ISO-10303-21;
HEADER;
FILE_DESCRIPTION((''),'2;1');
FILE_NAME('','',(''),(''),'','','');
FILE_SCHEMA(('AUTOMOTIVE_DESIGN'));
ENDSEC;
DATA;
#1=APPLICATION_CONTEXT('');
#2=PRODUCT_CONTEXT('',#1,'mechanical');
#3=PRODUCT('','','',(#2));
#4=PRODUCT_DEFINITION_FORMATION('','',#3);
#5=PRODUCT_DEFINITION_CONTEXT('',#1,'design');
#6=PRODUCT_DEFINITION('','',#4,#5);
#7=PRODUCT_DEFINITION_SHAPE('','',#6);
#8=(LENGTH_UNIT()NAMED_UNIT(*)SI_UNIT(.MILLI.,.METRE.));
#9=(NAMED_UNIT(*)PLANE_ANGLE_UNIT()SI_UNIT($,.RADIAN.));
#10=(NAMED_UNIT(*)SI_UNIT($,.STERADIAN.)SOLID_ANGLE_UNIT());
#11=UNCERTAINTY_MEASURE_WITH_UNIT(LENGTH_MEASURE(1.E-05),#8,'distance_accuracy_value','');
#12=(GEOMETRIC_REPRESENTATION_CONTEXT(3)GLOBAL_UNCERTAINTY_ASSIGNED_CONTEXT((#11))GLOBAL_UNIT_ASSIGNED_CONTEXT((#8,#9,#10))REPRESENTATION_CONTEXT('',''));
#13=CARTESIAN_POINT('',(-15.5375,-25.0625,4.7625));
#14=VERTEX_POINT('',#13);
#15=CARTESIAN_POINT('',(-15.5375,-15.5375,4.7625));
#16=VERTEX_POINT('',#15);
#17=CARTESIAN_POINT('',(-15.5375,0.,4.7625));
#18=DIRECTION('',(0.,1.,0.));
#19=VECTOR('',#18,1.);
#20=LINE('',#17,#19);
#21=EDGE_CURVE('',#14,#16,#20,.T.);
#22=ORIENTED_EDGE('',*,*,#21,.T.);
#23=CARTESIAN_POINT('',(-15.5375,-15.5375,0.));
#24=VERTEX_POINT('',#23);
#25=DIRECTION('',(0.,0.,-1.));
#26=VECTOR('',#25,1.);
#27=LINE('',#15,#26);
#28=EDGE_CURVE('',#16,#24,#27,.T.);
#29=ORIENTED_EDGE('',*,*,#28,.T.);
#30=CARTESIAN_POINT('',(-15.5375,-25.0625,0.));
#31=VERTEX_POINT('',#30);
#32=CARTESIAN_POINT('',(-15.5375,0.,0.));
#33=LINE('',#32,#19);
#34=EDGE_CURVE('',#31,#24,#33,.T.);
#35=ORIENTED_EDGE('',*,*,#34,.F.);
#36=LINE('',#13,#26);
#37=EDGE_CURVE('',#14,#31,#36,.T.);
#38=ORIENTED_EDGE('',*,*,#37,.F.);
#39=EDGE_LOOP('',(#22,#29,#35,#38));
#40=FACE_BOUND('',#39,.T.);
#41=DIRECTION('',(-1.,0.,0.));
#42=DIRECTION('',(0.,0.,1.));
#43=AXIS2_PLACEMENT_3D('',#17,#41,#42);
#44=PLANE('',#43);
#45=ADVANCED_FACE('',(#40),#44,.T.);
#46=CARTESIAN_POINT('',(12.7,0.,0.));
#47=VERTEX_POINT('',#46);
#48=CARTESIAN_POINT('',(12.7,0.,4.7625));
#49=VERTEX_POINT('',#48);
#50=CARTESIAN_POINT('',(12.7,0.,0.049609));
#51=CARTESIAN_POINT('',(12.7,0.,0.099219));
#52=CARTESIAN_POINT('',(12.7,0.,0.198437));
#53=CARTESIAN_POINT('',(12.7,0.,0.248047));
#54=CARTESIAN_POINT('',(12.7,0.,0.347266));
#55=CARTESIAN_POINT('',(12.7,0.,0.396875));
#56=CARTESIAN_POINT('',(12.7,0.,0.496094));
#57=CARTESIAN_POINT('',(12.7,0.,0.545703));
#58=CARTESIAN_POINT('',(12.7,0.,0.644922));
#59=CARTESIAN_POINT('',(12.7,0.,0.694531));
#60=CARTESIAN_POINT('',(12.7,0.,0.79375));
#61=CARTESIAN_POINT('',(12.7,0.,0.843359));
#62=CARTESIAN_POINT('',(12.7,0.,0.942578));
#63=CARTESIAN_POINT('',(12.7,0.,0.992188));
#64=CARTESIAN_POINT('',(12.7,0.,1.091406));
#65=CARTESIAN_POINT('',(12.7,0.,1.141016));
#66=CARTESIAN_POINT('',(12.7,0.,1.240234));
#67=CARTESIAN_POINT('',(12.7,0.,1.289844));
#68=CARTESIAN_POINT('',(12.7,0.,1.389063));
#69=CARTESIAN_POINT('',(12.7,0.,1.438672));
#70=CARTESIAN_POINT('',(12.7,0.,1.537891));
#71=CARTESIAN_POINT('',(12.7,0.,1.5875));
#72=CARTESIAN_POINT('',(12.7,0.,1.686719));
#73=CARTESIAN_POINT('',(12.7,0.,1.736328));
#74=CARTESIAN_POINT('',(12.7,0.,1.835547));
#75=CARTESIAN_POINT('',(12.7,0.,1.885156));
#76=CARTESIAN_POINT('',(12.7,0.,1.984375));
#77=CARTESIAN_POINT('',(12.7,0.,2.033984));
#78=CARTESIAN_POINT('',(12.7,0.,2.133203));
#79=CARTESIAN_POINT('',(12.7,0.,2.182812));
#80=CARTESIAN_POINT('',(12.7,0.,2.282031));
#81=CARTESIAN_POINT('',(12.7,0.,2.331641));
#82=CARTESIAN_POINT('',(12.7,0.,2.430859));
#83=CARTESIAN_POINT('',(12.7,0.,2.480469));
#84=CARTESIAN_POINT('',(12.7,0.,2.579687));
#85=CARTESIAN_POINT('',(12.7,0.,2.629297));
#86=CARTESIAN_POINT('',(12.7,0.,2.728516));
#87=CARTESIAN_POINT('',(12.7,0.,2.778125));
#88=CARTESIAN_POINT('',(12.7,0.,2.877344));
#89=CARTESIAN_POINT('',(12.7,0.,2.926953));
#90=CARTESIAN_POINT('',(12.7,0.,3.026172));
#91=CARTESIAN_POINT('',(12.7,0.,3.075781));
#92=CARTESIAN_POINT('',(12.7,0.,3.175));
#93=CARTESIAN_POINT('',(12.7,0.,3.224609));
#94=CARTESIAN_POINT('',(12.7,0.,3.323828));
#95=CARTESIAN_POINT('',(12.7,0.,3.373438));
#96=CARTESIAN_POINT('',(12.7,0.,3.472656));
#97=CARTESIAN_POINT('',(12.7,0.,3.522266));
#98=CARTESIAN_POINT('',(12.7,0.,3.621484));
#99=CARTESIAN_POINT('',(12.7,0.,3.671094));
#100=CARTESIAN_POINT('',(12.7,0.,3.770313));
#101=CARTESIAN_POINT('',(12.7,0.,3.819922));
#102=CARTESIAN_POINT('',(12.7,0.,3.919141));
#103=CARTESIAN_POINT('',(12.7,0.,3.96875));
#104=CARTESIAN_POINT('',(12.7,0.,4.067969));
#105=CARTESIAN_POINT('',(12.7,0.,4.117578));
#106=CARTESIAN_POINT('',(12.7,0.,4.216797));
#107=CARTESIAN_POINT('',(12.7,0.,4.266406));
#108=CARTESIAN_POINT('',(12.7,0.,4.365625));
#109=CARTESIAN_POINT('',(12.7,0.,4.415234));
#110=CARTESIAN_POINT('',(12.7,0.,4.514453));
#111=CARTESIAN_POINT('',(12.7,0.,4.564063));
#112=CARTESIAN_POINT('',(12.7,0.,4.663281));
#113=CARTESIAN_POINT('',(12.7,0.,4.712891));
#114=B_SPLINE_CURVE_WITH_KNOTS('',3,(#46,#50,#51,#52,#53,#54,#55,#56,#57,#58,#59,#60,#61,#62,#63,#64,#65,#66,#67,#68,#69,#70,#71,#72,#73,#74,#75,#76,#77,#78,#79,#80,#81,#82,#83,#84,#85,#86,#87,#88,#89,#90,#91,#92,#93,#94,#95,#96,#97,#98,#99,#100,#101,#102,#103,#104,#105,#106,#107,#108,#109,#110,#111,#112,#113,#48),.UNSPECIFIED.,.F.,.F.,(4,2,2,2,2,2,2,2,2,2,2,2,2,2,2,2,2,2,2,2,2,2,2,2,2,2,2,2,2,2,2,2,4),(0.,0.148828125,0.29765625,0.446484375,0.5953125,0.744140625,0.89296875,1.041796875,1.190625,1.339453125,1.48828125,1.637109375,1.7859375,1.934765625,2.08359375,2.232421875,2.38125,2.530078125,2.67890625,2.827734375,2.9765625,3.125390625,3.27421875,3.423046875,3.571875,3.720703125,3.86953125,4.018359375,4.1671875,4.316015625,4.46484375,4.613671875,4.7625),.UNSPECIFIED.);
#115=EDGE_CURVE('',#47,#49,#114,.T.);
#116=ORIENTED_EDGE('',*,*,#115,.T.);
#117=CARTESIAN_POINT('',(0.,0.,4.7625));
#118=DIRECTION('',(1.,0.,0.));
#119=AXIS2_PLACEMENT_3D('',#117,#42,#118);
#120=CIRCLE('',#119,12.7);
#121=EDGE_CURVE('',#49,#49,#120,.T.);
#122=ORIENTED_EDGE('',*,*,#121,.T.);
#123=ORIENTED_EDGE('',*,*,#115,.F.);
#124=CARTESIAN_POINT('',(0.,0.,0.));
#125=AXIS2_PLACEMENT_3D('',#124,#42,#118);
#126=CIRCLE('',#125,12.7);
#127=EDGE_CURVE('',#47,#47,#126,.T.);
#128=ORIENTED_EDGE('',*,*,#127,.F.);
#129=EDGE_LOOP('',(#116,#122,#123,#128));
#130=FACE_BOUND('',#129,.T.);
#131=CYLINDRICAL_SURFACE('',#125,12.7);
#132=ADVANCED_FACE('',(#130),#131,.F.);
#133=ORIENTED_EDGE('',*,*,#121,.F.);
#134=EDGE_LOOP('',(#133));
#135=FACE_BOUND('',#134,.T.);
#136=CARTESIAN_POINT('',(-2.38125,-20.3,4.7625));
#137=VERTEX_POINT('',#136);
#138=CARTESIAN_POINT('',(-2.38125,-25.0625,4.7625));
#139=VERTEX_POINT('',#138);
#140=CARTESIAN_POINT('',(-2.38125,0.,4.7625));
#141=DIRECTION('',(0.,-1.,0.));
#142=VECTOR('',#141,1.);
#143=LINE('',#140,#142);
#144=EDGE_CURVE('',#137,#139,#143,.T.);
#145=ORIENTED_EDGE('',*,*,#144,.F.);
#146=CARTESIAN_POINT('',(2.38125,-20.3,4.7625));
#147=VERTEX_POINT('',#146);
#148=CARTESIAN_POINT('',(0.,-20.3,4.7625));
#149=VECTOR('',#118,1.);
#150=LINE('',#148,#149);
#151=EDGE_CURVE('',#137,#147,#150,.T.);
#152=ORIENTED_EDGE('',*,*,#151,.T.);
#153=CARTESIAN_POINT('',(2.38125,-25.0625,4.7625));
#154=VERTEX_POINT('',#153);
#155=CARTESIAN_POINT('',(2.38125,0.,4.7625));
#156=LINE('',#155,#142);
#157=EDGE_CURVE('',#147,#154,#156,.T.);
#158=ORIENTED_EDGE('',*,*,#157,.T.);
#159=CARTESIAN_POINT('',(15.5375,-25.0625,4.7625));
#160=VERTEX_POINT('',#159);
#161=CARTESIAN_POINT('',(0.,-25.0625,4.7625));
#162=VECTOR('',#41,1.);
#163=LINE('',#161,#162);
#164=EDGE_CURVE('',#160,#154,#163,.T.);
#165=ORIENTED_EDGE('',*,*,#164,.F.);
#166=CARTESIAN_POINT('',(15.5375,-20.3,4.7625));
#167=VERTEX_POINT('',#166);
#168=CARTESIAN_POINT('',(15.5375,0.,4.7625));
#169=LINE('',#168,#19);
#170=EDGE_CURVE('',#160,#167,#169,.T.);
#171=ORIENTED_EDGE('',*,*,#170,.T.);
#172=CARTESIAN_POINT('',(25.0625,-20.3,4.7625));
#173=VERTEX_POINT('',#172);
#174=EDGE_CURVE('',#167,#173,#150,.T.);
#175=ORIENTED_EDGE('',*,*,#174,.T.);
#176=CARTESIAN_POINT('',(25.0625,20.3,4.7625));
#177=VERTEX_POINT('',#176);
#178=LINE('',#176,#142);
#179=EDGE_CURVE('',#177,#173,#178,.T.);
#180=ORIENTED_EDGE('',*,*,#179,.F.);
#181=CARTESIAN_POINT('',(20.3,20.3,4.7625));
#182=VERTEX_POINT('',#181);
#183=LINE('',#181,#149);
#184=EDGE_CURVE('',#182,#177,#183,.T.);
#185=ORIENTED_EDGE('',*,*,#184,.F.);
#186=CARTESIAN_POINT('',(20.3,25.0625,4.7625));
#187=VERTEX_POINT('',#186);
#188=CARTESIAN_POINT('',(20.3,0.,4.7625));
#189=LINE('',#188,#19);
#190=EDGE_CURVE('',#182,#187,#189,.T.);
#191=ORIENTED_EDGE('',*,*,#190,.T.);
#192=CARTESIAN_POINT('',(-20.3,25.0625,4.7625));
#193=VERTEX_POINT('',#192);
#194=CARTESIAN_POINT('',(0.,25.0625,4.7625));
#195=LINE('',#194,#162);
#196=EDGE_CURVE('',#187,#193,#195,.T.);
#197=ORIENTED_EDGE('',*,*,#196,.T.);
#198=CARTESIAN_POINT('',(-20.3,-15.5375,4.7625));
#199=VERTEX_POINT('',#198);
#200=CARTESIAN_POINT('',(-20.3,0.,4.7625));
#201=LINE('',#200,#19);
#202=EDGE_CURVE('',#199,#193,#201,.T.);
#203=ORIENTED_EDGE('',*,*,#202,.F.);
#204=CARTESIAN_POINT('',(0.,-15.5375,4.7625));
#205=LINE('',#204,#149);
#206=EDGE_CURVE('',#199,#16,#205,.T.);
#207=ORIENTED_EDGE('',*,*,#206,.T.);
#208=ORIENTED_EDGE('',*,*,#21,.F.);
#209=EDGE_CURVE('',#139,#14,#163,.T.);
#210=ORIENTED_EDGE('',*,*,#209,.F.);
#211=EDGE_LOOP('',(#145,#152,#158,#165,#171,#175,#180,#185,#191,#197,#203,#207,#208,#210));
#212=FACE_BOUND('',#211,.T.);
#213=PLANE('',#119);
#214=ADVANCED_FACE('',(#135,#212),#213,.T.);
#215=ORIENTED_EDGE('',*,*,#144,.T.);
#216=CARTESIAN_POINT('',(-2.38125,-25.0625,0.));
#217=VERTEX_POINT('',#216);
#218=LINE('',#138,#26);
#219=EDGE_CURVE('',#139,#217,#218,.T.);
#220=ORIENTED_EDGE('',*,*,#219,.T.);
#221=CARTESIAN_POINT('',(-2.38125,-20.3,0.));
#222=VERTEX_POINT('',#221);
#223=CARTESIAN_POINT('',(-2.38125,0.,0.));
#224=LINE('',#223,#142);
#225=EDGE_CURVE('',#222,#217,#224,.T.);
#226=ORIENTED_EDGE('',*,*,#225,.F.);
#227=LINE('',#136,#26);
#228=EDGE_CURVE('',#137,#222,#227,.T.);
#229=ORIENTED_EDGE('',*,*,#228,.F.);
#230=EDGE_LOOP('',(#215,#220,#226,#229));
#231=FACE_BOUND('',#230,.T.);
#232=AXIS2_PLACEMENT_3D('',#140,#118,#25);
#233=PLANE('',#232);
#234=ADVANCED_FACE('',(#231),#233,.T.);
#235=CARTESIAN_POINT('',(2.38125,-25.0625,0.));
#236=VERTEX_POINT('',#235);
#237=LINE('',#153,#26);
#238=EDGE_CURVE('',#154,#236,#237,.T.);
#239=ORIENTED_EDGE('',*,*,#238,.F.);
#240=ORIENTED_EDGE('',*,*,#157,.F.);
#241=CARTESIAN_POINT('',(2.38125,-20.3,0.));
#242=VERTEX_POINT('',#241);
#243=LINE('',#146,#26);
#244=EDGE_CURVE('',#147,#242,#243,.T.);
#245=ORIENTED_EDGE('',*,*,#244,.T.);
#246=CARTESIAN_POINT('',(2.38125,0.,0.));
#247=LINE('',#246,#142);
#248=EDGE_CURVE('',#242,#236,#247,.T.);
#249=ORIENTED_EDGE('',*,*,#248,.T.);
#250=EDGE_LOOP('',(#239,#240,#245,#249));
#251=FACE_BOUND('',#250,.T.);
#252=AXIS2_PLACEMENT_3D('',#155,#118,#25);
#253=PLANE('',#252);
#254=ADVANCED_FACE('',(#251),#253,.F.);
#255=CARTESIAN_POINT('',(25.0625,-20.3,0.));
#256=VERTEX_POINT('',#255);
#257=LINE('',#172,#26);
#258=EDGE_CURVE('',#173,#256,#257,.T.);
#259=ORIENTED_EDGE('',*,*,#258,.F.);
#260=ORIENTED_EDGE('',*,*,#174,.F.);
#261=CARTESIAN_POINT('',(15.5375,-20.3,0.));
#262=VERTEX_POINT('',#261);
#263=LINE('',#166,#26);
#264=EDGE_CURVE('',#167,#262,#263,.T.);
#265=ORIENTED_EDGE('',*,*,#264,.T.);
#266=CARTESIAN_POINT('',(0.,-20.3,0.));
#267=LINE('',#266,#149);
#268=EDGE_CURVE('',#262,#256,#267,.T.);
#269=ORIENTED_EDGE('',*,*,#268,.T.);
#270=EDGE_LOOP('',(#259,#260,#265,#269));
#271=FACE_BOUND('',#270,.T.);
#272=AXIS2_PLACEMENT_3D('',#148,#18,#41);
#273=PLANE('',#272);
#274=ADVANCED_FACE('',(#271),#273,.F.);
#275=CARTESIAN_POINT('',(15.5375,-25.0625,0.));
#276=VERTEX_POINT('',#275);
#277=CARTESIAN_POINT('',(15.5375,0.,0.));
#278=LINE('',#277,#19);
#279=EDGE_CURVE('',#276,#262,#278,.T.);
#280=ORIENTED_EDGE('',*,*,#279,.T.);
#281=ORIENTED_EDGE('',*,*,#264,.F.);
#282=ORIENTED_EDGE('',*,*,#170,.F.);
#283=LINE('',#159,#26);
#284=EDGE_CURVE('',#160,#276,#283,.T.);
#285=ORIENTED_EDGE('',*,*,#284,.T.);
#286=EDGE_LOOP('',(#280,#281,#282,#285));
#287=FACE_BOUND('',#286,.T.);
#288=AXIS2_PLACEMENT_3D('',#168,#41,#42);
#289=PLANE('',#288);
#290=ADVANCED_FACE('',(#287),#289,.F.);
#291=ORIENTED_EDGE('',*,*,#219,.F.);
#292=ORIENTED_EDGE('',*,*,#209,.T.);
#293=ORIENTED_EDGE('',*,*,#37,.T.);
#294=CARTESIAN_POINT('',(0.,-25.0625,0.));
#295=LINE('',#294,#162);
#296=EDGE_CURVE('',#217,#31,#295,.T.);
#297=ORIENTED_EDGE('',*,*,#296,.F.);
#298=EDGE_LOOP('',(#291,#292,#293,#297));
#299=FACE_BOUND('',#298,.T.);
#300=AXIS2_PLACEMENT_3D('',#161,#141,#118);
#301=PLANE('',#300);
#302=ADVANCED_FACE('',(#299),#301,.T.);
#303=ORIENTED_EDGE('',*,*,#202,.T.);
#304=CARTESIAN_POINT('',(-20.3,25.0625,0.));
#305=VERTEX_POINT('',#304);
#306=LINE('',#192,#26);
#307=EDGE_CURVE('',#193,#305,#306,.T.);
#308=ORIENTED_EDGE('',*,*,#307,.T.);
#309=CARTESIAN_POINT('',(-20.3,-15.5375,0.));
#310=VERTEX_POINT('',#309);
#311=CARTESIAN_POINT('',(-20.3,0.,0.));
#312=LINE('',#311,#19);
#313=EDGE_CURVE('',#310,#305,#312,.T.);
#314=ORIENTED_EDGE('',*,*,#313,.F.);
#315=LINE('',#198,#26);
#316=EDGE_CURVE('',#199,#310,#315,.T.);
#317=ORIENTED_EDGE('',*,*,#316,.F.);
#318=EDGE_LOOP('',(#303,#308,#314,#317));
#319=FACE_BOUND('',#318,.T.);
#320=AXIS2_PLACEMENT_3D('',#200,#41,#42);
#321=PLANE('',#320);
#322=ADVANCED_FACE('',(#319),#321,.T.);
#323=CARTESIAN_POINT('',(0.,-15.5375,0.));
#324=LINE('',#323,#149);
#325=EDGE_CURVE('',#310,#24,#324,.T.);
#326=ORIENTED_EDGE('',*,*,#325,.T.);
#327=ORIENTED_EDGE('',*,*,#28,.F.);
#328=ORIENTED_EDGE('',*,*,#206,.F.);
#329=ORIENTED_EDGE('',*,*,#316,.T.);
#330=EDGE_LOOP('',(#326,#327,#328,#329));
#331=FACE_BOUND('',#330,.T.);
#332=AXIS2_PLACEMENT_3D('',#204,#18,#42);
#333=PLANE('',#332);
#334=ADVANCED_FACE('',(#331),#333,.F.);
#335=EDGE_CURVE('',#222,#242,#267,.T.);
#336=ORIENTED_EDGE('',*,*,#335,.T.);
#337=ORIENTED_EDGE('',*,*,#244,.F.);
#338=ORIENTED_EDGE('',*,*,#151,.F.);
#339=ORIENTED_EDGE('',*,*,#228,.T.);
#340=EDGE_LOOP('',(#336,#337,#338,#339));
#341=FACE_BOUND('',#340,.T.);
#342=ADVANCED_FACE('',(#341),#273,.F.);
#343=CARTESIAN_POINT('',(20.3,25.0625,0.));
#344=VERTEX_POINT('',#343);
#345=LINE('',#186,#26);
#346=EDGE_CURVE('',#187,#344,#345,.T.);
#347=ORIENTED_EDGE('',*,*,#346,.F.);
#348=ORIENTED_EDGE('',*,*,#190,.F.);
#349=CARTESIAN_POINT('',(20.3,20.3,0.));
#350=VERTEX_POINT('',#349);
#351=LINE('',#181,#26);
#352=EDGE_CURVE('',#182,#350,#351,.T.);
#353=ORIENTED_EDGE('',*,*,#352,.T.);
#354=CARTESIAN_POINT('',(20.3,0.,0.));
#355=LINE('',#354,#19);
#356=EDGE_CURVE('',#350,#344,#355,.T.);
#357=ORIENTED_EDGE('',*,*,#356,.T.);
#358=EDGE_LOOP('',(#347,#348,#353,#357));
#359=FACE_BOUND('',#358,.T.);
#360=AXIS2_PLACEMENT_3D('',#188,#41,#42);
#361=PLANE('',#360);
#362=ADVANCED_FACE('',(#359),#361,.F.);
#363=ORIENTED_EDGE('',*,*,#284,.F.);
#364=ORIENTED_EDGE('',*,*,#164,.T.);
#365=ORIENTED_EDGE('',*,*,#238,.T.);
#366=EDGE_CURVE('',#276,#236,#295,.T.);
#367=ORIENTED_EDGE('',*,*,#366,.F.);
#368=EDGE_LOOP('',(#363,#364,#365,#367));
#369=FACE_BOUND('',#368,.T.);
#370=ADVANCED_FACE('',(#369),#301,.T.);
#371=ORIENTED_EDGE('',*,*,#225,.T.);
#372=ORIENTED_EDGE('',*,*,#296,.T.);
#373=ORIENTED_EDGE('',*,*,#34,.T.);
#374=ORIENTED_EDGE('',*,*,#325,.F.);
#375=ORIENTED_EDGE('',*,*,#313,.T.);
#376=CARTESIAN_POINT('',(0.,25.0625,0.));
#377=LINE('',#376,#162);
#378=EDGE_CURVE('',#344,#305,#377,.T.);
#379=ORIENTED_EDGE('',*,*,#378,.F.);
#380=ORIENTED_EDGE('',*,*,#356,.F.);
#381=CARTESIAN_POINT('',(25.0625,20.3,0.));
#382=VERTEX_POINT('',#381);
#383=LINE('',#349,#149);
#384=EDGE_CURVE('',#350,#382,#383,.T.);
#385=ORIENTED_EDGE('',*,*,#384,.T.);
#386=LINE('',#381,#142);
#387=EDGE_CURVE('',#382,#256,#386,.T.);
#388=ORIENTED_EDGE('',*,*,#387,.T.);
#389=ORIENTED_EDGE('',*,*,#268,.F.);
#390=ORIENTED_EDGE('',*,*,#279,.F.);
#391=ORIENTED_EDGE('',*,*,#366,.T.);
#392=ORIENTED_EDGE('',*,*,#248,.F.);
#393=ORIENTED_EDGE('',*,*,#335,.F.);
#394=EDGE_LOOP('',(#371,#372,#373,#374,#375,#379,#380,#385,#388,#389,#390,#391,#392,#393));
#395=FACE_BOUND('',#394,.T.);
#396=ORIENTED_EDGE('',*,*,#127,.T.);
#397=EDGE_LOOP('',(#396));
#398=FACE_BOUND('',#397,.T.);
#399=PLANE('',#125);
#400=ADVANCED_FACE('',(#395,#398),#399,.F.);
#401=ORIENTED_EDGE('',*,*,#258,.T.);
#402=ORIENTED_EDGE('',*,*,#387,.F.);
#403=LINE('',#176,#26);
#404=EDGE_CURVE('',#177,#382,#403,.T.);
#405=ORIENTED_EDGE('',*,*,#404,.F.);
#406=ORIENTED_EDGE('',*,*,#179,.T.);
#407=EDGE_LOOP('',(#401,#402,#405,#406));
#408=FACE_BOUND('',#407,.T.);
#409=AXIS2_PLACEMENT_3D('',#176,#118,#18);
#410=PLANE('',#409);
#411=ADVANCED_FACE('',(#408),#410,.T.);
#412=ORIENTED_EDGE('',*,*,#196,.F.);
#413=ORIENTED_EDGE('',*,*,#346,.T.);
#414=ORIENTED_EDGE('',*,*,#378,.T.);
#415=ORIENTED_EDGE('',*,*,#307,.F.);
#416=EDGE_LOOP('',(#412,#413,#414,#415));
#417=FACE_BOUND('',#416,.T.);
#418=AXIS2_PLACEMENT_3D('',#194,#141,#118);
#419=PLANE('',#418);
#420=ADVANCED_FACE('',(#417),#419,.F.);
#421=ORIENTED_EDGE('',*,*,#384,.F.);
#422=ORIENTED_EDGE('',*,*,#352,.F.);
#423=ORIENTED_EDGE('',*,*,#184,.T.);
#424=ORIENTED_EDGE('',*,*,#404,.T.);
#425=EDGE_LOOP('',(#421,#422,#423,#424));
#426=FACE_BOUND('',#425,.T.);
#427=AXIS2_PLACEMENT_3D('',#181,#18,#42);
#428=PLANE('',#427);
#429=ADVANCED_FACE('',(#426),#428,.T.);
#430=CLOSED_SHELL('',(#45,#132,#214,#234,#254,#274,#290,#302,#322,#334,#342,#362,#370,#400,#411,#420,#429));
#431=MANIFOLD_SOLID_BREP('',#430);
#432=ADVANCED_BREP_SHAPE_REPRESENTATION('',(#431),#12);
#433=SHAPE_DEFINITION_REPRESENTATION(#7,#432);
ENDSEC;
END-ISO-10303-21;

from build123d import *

# Parameters (mm, degrees)
BOSS_EXTRUDE1_DEPTH = 4.7625
SKETCH2_R           = 12.7
CUT_EXTRUDE1_DEPTH  = 36.762259699


with BuildPart() as part:
    # Sketch1 → Boss-Extrude1 (new body)
    with BuildSketch(Plane.XY):
        Polygon((2.38125, -25.0625), (15.5375, -25.0625), (15.5375, -20.3), (25.0625, -20.3), (25.0625, 20.3), (20.3, 20.3), (20.3, 25.0625), (-20.3, 25.0625), (-20.3, -15.5375), (-15.5375, -15.5375), (-15.5375, -25.0625), (-2.38125, -25.0625), (-2.38125, -20.3), (2.38125, -20.3), align=None)
    extrude(amount=BOSS_EXTRUDE1_DEPTH)

    # Sketch2 → Cut-Extrude1 (cut, through all)
    with BuildSketch(Plane.XY.offset(4.7625)):
        Circle(SKETCH2_R)
    extrude(amount=-CUT_EXTRUDE1_DEPTH, mode=Mode.SUBTRACT)


solid = part.part
